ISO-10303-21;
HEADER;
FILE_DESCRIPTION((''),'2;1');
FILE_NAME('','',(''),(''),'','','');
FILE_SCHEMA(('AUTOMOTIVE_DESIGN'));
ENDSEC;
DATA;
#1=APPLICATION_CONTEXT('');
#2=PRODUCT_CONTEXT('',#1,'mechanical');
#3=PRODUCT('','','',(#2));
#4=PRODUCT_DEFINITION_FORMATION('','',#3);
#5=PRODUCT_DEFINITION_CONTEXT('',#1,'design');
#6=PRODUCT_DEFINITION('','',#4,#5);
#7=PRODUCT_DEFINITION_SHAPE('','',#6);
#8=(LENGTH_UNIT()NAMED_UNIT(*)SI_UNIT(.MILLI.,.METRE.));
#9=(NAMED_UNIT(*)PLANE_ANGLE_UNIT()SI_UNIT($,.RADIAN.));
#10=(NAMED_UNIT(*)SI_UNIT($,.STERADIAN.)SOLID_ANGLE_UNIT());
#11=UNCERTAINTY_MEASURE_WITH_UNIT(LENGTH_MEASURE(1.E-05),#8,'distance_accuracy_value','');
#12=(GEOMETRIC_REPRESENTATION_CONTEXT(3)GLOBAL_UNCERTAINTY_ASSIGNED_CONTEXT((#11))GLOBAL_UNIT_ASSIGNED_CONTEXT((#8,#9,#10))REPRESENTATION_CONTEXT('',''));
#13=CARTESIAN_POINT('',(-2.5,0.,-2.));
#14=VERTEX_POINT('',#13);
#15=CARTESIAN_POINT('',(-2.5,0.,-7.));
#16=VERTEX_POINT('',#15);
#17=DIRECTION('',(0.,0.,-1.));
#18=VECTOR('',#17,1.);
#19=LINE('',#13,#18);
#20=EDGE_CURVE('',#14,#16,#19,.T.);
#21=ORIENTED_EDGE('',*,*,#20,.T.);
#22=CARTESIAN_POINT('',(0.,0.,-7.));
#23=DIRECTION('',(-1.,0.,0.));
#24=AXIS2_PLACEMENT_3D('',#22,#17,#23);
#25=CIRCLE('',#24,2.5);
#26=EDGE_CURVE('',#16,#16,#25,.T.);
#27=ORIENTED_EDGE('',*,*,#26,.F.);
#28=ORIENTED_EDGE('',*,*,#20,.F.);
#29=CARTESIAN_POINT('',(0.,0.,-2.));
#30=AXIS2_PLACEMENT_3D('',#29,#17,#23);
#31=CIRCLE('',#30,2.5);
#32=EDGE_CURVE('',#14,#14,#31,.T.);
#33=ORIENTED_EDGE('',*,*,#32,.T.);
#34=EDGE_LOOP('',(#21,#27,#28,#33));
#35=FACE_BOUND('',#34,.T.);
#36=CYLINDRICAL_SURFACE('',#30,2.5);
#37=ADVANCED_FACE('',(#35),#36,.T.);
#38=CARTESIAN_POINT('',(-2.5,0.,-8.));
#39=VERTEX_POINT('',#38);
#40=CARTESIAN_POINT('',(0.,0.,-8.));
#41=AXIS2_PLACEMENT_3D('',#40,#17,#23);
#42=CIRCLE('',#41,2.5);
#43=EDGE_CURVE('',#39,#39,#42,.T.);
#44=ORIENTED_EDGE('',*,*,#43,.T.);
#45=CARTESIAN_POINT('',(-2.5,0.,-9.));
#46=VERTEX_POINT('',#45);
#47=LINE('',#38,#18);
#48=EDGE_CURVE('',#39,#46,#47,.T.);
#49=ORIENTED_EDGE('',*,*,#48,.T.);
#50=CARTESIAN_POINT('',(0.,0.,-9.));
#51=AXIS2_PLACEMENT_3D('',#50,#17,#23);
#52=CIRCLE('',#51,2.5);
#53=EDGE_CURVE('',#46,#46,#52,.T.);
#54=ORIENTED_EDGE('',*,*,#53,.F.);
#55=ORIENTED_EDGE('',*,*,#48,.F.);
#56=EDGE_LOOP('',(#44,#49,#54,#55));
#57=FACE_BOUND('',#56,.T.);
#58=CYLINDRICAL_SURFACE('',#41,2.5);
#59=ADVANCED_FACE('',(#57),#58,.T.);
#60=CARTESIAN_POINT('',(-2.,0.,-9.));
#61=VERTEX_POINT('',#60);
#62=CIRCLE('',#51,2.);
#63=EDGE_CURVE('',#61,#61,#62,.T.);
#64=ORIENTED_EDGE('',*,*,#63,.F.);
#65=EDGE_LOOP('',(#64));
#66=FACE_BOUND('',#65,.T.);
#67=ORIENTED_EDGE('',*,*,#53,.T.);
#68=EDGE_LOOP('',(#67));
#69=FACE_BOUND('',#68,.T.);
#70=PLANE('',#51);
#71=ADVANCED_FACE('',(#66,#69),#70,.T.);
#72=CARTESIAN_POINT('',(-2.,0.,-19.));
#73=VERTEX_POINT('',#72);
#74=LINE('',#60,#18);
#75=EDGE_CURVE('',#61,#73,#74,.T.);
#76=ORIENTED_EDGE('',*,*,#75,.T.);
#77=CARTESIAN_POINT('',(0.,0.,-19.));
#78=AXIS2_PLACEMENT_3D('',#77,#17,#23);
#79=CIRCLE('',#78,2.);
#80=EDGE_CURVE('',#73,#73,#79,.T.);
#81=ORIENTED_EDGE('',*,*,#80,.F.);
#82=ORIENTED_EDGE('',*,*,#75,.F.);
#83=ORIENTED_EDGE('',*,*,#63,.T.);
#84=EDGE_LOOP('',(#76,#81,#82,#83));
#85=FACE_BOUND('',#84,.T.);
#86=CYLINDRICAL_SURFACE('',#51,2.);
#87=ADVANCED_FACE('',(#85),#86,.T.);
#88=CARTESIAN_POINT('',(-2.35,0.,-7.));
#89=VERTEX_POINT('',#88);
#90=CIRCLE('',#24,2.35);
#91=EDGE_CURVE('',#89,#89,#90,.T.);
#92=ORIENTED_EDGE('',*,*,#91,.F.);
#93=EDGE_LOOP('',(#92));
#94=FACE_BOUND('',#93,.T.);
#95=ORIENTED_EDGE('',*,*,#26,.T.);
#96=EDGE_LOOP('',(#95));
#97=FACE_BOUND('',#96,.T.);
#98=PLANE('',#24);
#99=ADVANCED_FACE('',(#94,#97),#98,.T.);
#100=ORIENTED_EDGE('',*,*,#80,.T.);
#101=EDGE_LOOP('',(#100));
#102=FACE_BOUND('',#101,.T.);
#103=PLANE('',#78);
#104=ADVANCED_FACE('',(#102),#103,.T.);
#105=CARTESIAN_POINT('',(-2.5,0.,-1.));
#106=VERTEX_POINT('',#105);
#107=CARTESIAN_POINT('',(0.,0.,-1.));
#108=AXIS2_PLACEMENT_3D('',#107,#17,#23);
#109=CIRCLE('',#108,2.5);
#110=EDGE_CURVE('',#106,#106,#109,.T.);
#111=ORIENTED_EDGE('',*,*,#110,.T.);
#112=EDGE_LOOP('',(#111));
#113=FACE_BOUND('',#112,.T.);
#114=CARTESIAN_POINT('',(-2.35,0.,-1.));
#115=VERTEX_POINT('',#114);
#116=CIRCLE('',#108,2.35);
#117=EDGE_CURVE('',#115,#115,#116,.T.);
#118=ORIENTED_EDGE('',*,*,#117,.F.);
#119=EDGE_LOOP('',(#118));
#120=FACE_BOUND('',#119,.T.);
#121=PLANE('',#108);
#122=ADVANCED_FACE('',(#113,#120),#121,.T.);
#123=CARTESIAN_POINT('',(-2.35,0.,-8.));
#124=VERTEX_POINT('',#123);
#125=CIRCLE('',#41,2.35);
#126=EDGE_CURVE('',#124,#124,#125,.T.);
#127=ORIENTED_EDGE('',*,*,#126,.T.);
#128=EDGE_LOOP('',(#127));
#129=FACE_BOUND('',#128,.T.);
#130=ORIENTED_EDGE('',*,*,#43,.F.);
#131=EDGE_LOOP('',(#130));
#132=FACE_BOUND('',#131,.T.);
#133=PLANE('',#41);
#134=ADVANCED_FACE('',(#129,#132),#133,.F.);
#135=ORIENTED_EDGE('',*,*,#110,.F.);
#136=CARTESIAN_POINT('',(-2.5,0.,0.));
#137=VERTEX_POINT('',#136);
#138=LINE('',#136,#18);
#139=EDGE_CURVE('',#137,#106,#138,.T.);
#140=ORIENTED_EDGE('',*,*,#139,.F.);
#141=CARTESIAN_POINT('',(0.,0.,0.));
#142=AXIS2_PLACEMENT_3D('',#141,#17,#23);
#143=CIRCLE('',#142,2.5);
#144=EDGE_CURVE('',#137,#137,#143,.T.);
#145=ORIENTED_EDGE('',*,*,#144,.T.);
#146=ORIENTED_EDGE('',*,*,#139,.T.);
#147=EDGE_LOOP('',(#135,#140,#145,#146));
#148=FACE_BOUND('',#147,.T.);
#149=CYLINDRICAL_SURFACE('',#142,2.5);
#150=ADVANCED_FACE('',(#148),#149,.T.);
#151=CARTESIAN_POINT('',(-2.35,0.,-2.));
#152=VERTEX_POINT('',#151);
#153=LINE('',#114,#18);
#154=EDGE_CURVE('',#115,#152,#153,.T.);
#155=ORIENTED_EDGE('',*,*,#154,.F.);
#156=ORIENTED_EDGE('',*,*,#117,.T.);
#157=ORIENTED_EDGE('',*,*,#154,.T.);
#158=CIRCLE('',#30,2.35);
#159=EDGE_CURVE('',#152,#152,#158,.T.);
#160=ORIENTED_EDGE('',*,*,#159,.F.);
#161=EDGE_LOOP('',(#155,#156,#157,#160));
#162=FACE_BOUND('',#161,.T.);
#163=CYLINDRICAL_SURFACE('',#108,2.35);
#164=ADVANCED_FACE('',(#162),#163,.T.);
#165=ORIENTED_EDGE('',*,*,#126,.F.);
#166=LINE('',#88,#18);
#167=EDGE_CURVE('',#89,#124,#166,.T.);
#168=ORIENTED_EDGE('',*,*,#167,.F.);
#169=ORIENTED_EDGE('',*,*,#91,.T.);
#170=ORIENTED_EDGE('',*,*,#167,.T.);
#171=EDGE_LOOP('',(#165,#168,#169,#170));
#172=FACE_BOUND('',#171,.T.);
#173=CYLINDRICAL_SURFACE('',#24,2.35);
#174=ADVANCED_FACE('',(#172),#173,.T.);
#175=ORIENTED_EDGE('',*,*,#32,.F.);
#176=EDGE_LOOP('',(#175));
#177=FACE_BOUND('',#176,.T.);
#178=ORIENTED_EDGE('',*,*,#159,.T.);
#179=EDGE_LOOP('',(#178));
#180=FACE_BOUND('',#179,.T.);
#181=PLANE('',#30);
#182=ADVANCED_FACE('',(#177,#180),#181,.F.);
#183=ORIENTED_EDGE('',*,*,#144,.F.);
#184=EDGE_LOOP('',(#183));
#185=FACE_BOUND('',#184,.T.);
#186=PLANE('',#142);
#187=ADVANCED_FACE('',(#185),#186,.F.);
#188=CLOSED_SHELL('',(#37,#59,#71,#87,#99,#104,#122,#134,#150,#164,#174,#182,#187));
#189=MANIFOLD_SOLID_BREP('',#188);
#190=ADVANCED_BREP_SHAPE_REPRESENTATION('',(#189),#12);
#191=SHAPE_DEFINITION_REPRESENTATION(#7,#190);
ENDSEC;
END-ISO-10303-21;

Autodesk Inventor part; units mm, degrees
ref_plane "YZ Plane" through (0, 0, 0) normal (1, 0, 0) x (0, 1, 0)
ref_plane "XZ Plane" through (0, 0, 0) normal (0, 1, 0) x (-1, 0, 0)
ref_plane "XY Plane" through (0, 0, 0) normal (0, 0, 1) x (1, 0, 0)
sketch "Sketch1" plane through (0, 0, 0) normal (0, 1, 0) x (-1, 0, 0)
  line L0 (0, 0) -> (2.5, 0)
  line L1 (2.5, 0) -> (2.5, -1)
  line L2 (2.5, -1) -> (2.35, -1)
  line L3 (2.35, -1) -> (2.35, -2)
  line L4 (2.35, -2) -> (2.5, -2)
  line L5 (2.5, -2) -> (2.5, -7)
  line L6 (2.5, -7) -> (2.35, -7)
  line L7 (2.35, -7) -> (2.35, -8)
  line L8 (2.35, -8) -> (2.5, -8)
  line L9 (2, -19) -> (0, -19)
  line L10 (0, 0) -> (0, -19)
  line L11 (2.5, -8) -> (2.5, -9)
  line L12 (2.5, -9) -> (2, -9)
  line L13 (2, -9) -> (2, -19)
  dimension "d0" = 2.5
  dimension "d1" = 1
  dimension "d2" = 0.15
  dimension "d3" = 1
  dimension "d4" = 5
  dimension "d9" = 2.5
  dimension "d10" = 1
  dimension "d11" = 2
revolve "Revolution1" add sketch "Sketch1" angle 360 about axis through (0, 0, 0) along (0, 0, -1)
properties part number "walek popychajacy sprzeglo 01-02"
